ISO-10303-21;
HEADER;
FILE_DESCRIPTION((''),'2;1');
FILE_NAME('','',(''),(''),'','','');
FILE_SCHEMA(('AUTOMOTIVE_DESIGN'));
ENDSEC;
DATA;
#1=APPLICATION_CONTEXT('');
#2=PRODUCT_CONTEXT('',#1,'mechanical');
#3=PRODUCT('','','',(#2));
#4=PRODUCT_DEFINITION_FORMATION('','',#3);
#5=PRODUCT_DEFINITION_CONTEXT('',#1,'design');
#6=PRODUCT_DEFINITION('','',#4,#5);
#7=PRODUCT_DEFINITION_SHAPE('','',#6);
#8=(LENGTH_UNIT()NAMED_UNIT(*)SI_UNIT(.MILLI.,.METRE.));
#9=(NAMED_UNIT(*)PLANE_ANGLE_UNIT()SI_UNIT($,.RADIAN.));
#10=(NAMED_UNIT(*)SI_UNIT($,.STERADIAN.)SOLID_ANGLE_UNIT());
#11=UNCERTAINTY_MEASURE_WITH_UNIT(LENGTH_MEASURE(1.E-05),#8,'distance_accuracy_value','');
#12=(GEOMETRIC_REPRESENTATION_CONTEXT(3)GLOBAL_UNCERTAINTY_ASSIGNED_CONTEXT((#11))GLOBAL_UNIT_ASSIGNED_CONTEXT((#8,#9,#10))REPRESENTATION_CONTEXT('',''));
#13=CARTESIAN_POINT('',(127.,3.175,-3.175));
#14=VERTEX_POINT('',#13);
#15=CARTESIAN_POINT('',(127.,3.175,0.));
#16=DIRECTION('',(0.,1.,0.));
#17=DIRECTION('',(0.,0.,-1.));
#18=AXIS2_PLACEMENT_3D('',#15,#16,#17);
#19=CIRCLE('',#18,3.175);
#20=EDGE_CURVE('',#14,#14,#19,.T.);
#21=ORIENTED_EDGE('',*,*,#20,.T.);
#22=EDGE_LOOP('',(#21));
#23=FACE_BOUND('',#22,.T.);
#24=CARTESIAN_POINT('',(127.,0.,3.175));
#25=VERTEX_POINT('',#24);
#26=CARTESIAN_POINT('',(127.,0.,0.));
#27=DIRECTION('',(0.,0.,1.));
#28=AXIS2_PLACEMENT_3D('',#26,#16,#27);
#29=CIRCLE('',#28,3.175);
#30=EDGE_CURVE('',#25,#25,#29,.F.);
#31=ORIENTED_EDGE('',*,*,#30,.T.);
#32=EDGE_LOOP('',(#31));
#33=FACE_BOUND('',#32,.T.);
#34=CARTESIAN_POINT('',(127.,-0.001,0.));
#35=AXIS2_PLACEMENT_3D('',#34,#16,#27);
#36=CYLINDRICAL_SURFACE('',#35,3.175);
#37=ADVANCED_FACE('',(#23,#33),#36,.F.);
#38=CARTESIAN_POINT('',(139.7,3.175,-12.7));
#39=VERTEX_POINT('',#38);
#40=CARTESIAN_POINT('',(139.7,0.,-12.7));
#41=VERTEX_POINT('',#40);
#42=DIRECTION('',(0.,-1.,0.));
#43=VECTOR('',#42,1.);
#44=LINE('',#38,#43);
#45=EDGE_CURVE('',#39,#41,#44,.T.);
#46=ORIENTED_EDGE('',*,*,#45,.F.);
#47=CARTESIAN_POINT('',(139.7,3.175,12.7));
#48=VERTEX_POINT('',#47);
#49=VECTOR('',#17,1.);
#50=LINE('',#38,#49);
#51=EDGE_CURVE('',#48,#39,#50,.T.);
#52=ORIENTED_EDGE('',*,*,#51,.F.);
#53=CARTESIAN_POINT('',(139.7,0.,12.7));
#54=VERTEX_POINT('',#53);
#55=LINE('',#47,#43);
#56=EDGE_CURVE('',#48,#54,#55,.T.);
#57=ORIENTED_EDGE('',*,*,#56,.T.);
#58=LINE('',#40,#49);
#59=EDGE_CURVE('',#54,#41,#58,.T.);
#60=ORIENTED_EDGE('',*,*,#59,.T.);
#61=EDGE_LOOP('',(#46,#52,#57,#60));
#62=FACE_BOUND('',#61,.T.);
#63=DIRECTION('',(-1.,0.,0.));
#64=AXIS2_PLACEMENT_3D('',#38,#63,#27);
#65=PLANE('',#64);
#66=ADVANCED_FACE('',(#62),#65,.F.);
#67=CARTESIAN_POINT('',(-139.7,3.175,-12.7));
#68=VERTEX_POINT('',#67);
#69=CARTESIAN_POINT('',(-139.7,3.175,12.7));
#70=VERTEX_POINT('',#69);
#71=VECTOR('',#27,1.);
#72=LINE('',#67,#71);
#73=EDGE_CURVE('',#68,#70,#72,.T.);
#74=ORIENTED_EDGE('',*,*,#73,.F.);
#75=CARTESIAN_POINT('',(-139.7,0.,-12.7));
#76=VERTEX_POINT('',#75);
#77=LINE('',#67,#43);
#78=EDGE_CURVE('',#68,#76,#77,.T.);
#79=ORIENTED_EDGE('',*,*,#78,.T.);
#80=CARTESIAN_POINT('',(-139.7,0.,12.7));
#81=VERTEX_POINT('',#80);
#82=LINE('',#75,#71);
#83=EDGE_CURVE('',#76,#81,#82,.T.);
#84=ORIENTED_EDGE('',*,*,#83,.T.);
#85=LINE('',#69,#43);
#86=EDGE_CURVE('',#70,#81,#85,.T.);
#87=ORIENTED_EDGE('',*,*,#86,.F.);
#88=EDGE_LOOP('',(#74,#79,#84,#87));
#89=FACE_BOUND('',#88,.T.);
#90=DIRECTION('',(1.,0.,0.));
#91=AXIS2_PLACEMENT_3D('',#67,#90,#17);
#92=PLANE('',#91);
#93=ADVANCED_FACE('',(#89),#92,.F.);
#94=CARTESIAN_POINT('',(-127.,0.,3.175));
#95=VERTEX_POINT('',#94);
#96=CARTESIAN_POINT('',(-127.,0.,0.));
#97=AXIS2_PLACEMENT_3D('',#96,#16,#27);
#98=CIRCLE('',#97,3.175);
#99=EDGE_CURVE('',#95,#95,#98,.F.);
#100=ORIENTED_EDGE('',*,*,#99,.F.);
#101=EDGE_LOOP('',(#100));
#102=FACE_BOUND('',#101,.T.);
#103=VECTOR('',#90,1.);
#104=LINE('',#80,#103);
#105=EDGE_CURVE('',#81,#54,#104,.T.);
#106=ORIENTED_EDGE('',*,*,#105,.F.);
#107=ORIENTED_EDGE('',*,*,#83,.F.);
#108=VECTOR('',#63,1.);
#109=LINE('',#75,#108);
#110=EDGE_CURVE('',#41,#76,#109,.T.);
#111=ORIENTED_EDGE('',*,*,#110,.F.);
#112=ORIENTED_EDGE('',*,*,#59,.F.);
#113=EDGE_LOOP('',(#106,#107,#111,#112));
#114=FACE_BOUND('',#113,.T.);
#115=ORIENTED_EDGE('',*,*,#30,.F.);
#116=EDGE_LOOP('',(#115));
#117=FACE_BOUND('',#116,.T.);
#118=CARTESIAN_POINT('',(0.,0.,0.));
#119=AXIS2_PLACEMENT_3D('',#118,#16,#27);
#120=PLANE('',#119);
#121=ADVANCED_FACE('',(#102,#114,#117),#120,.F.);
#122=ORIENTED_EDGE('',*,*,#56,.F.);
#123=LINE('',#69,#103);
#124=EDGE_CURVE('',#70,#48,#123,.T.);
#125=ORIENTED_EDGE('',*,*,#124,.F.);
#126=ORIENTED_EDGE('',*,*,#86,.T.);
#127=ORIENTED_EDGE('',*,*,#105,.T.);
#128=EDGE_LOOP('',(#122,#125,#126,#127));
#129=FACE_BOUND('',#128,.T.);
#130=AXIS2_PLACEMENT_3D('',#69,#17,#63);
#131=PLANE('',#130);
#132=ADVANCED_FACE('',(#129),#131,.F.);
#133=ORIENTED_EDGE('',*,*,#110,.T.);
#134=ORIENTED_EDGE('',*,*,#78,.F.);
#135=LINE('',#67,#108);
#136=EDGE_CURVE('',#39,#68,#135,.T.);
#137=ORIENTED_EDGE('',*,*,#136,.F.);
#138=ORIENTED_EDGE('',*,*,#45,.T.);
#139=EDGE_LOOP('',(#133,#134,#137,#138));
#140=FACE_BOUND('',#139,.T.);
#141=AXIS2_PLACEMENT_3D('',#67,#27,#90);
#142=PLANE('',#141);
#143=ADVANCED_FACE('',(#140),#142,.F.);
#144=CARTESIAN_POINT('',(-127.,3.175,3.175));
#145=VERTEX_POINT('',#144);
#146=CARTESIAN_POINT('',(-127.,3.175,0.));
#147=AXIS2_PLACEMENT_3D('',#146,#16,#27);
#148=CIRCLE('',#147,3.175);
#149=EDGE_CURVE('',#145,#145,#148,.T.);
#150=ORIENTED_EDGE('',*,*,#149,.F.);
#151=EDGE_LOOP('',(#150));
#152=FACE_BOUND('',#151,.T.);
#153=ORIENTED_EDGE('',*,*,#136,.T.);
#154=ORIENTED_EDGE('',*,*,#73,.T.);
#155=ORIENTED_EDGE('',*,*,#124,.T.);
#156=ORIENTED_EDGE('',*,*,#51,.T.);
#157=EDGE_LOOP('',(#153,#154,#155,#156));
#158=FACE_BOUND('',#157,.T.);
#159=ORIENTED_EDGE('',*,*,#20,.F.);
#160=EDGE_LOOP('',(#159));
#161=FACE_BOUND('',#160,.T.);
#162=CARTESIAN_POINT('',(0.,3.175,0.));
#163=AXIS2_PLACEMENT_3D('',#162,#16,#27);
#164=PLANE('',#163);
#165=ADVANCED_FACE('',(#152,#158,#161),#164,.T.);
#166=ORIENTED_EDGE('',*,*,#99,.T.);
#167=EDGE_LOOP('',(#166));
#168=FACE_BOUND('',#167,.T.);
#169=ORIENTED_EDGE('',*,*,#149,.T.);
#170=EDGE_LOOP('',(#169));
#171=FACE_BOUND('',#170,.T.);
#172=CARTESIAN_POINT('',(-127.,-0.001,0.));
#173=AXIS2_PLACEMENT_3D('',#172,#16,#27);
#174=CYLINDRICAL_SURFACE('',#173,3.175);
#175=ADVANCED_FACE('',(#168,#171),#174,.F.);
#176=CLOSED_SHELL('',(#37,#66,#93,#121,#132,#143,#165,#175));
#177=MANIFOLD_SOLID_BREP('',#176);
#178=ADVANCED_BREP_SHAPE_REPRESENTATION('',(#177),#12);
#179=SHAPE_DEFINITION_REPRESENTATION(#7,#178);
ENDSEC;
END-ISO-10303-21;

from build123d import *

# Parameters (mm, degrees)
SKETCH1_W           = 279.4
SKETCH1_H           = 25.4
BOSS_EXTRUDE1_DEPTH = 3.175
CUT_EXTRUDE1_REACH  = 142.312
SKETCH2_R           = 3.175


with BuildPart() as part:
    # Sketch1 → Boss-Extrude1 (new body)
    with BuildSketch(Plane(origin=(0, 0, 0), x_dir=(1, 0, 0), z_dir=(0, 1, 0))):
        Rectangle(SKETCH1_W, SKETCH1_H)
    extrude(amount=BOSS_EXTRUDE1_DEPTH)

    # Sketch2 → Cut-Extrude1 (cut, up to next)
    with BuildSketch(Plane(origin=(0, 3.175, 0), x_dir=(1, 0, 0), z_dir=(0, 1, 0)), mode=Mode.PRIVATE) as cut_extrude1_sk1:
        with Locations(Location((-127, 0, 0), (0, 0, 270))):
            Circle(SKETCH2_R)
    cut_extrude1_tool1 = extrude(cut_extrude1_sk1.sketch, amount=-CUT_EXTRUDE1_REACH, mode=Mode.PRIVATE) & part.part
    # Sketch2 → Cut-Extrude1 (cut, up to next)
    with BuildSketch(Plane(origin=(0, 3.175, 0), x_dir=(1, 0, 0), z_dir=(0, 1, 0)), mode=Mode.PRIVATE) as cut_extrude1_sk2:
        with Locations(Location((127, 0, 0), (0, 0, 270))):
            Circle(SKETCH2_R)
    cut_extrude1_tool2 = extrude(cut_extrude1_sk2.sketch, amount=-CUT_EXTRUDE1_REACH, mode=Mode.PRIVATE) & part.part
    add(cut_extrude1_tool1.solids().sort_by_distance((-127, 3.175, 0))[0], mode=Mode.SUBTRACT)
    add(cut_extrude1_tool2.solids().sort_by_distance((127, 3.175, 0))[0], mode=Mode.SUBTRACT)


solid = part.part
